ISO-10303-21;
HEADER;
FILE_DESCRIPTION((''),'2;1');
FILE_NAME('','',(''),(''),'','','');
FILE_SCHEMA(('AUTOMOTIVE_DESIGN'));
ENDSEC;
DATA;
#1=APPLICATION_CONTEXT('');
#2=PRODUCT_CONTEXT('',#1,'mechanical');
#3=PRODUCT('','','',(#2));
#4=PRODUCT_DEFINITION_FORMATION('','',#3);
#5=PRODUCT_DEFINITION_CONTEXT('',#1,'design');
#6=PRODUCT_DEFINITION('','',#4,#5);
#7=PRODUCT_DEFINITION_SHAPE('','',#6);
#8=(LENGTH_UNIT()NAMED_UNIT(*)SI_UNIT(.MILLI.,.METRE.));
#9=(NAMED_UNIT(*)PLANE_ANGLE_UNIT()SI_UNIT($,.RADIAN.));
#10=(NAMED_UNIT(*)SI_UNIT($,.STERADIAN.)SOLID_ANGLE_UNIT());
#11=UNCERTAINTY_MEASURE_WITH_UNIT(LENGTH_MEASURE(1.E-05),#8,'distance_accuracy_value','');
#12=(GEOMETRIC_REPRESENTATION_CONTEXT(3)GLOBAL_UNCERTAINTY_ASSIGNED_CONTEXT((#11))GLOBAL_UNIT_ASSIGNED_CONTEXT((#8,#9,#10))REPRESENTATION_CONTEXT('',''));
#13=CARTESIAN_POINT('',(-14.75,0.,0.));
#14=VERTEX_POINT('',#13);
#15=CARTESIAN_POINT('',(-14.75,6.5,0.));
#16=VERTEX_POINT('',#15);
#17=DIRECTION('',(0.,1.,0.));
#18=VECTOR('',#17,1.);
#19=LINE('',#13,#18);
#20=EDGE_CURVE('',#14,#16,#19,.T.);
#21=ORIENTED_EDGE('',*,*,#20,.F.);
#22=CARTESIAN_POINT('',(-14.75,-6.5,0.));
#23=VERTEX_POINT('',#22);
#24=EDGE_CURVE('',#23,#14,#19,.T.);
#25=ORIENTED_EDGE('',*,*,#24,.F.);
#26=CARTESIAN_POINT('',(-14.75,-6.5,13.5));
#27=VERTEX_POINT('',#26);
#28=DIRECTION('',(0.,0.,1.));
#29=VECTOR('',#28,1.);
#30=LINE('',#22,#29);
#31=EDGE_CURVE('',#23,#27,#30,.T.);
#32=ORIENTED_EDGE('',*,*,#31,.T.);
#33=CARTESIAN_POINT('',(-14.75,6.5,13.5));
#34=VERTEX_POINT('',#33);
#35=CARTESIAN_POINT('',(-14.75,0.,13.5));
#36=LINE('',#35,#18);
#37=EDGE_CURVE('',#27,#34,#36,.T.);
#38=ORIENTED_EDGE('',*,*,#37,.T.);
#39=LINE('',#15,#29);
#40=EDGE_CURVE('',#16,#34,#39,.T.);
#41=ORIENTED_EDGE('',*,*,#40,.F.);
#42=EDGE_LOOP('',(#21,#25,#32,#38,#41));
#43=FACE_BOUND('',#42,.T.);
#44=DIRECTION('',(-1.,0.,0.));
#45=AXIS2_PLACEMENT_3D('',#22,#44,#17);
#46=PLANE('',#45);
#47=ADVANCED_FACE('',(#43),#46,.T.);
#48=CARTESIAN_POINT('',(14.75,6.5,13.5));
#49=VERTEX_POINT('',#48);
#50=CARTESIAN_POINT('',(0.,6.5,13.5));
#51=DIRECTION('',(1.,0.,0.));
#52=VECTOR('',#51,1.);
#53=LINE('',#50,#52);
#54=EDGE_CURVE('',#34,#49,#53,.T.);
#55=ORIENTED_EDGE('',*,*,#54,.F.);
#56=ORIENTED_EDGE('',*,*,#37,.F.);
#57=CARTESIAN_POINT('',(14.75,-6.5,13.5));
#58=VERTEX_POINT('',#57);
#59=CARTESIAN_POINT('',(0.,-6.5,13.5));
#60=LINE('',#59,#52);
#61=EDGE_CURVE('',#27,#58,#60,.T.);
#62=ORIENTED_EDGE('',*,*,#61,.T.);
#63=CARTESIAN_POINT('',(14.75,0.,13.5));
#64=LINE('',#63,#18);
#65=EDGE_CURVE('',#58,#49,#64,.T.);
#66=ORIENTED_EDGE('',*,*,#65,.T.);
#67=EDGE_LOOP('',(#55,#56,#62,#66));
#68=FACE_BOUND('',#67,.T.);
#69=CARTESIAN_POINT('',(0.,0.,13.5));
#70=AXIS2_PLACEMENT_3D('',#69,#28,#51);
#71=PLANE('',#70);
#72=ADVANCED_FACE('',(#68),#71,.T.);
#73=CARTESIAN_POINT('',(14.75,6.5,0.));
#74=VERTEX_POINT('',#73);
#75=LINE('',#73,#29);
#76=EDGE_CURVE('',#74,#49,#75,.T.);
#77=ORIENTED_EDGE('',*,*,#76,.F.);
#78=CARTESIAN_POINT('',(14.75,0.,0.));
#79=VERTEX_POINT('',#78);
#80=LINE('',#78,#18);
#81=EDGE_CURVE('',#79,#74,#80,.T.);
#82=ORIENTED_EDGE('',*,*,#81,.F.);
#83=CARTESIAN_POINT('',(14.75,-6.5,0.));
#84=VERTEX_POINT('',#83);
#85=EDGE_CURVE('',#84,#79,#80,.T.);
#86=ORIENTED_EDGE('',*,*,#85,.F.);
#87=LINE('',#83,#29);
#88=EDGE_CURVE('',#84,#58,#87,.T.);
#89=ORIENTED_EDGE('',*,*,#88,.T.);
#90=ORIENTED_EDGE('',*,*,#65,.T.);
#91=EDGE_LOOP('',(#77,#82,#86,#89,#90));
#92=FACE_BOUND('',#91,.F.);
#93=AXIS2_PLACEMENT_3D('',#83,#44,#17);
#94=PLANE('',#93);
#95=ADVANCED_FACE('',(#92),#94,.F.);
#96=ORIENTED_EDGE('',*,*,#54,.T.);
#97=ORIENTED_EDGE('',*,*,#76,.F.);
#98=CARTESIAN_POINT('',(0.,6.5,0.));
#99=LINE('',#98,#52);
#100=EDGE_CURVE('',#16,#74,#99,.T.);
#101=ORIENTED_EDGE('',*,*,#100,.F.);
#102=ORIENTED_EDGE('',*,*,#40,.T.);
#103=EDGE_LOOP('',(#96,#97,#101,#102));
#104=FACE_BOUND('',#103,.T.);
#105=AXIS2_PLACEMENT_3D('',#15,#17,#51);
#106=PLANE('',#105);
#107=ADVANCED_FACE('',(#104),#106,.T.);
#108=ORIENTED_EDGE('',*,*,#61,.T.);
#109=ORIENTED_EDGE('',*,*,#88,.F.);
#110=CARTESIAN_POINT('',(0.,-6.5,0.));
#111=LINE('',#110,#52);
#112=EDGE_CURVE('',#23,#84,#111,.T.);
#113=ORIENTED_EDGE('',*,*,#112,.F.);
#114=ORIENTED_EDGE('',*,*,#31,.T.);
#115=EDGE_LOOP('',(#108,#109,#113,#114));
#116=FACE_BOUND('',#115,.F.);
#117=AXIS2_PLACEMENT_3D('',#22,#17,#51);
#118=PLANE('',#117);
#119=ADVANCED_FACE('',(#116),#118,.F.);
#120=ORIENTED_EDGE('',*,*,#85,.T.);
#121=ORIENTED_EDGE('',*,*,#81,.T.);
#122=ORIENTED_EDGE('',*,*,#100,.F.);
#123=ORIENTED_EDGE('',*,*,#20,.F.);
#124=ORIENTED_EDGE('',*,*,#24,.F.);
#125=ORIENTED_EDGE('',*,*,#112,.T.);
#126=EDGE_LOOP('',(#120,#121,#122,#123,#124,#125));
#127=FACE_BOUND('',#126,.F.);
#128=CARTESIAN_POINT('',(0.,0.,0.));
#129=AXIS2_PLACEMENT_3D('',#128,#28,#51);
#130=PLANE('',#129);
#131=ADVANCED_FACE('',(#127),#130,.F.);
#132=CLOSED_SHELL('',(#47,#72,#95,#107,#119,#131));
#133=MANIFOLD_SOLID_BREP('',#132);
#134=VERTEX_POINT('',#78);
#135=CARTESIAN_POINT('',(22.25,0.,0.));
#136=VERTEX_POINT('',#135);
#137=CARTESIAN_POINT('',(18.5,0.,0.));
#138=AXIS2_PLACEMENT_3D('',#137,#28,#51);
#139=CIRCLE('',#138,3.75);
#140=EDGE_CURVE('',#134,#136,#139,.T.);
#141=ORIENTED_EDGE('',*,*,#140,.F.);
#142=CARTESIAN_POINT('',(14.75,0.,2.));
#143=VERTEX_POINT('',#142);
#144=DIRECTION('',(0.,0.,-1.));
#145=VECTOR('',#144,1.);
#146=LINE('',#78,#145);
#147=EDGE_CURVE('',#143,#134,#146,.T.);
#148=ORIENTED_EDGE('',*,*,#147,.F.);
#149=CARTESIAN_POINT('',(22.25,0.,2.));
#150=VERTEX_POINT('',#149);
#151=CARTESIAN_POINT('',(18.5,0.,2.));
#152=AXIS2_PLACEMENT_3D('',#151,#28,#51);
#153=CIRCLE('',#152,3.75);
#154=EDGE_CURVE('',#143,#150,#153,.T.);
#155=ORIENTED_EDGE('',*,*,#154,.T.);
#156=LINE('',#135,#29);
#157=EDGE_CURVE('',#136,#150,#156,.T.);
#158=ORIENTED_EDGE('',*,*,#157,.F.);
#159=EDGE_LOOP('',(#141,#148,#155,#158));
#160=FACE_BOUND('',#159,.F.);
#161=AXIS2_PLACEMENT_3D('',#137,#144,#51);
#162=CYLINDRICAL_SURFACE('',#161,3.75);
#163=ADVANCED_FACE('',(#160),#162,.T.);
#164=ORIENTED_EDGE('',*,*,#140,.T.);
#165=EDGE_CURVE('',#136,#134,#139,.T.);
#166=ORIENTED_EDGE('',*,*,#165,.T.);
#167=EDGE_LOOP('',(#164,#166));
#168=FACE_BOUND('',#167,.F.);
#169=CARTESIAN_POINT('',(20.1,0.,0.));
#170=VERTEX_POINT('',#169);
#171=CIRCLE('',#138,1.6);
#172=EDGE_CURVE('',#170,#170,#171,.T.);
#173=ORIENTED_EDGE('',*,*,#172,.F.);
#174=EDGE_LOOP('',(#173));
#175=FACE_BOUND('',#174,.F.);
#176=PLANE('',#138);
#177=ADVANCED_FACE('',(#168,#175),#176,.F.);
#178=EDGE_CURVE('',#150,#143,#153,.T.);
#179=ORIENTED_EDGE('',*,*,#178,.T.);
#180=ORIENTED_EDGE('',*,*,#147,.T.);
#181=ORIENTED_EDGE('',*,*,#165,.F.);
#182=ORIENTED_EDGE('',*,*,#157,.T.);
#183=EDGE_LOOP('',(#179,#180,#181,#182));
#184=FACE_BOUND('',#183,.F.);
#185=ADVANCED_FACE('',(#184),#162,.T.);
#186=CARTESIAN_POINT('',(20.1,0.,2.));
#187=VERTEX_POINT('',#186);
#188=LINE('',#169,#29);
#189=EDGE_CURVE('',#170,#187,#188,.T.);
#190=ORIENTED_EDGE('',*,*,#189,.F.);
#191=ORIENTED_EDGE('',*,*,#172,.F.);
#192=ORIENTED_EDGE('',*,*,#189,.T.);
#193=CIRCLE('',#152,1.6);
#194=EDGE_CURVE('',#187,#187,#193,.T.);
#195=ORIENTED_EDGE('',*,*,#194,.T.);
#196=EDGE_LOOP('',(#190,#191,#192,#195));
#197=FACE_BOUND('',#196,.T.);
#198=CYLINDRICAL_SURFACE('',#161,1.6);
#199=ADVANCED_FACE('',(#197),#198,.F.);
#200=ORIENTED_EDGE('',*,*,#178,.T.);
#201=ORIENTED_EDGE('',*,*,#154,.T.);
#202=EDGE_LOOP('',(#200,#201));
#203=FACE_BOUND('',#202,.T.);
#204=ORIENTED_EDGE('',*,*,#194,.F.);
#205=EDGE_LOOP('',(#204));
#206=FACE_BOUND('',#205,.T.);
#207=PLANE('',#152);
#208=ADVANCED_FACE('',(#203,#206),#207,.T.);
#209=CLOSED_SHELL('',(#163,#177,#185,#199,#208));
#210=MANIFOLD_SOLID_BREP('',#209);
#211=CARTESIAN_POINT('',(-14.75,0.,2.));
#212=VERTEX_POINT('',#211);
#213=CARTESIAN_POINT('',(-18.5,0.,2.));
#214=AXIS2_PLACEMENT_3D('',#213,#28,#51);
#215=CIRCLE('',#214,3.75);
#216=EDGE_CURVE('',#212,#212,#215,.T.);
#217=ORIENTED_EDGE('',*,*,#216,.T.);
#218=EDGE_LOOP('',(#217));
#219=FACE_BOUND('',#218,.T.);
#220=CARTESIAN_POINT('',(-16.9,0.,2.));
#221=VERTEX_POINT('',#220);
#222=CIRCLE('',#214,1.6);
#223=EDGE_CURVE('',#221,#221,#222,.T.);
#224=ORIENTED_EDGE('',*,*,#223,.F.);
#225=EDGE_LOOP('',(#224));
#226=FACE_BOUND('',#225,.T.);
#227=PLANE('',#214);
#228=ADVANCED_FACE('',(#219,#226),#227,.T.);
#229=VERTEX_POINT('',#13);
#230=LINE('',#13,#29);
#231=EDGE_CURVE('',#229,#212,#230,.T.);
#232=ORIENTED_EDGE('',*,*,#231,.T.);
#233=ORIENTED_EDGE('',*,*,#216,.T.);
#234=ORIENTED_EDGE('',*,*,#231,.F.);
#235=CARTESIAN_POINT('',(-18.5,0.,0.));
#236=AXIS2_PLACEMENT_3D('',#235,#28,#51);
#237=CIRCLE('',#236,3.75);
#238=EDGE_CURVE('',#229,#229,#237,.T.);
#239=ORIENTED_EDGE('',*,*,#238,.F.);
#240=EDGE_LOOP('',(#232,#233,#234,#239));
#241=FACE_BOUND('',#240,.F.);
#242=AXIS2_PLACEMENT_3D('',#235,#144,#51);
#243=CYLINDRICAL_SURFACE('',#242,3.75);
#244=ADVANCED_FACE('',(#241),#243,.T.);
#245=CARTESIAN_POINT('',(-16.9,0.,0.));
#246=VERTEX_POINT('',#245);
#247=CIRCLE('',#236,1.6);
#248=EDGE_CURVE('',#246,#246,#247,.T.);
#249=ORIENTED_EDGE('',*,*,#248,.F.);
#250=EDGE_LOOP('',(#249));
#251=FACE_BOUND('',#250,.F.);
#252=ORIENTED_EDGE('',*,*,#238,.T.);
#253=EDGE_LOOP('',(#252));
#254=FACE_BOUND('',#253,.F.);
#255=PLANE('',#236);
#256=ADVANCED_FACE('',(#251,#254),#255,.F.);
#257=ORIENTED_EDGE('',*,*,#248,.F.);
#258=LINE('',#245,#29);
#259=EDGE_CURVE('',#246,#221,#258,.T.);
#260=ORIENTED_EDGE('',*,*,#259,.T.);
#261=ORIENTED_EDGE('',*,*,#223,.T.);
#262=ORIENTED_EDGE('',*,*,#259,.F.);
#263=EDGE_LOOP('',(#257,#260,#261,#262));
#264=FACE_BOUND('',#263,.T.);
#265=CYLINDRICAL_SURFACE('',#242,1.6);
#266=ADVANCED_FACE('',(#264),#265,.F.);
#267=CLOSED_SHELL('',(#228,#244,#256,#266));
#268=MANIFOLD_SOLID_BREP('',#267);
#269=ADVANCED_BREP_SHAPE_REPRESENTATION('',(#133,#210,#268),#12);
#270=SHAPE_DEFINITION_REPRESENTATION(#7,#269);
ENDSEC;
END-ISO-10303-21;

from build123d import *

# Parameters (mm, degrees)
F0_W     = 29.5
F0_H     = 13
F2_DEPTH = 13.5
F1_R     = 3.75
F1_R_2   = 1.6
F3_DEPTH = 2


with BuildPart() as f2:
    # F0 (on Top) → F2 (new body)
    with BuildSketch(Plane.XY):
        Rectangle(F0_W, F0_H)
    extrude(amount=F2_DEPTH)

    # F1 (on Top) → F3 (join)
    with BuildSketch(Plane.XY):
        with Locations((-18.5, 0)):
            Circle(F1_R)
        with Locations((-18.5, 0)):
            Circle(F1_R_2, mode=Mode.SUBTRACT)
        with Locations((18.5, 0)):
            Circle(F1_R)
        with Locations((18.5, 0)):
            Circle(F1_R_2, mode=Mode.SUBTRACT)
    extrude(amount=F3_DEPTH)


solid = f2.part
